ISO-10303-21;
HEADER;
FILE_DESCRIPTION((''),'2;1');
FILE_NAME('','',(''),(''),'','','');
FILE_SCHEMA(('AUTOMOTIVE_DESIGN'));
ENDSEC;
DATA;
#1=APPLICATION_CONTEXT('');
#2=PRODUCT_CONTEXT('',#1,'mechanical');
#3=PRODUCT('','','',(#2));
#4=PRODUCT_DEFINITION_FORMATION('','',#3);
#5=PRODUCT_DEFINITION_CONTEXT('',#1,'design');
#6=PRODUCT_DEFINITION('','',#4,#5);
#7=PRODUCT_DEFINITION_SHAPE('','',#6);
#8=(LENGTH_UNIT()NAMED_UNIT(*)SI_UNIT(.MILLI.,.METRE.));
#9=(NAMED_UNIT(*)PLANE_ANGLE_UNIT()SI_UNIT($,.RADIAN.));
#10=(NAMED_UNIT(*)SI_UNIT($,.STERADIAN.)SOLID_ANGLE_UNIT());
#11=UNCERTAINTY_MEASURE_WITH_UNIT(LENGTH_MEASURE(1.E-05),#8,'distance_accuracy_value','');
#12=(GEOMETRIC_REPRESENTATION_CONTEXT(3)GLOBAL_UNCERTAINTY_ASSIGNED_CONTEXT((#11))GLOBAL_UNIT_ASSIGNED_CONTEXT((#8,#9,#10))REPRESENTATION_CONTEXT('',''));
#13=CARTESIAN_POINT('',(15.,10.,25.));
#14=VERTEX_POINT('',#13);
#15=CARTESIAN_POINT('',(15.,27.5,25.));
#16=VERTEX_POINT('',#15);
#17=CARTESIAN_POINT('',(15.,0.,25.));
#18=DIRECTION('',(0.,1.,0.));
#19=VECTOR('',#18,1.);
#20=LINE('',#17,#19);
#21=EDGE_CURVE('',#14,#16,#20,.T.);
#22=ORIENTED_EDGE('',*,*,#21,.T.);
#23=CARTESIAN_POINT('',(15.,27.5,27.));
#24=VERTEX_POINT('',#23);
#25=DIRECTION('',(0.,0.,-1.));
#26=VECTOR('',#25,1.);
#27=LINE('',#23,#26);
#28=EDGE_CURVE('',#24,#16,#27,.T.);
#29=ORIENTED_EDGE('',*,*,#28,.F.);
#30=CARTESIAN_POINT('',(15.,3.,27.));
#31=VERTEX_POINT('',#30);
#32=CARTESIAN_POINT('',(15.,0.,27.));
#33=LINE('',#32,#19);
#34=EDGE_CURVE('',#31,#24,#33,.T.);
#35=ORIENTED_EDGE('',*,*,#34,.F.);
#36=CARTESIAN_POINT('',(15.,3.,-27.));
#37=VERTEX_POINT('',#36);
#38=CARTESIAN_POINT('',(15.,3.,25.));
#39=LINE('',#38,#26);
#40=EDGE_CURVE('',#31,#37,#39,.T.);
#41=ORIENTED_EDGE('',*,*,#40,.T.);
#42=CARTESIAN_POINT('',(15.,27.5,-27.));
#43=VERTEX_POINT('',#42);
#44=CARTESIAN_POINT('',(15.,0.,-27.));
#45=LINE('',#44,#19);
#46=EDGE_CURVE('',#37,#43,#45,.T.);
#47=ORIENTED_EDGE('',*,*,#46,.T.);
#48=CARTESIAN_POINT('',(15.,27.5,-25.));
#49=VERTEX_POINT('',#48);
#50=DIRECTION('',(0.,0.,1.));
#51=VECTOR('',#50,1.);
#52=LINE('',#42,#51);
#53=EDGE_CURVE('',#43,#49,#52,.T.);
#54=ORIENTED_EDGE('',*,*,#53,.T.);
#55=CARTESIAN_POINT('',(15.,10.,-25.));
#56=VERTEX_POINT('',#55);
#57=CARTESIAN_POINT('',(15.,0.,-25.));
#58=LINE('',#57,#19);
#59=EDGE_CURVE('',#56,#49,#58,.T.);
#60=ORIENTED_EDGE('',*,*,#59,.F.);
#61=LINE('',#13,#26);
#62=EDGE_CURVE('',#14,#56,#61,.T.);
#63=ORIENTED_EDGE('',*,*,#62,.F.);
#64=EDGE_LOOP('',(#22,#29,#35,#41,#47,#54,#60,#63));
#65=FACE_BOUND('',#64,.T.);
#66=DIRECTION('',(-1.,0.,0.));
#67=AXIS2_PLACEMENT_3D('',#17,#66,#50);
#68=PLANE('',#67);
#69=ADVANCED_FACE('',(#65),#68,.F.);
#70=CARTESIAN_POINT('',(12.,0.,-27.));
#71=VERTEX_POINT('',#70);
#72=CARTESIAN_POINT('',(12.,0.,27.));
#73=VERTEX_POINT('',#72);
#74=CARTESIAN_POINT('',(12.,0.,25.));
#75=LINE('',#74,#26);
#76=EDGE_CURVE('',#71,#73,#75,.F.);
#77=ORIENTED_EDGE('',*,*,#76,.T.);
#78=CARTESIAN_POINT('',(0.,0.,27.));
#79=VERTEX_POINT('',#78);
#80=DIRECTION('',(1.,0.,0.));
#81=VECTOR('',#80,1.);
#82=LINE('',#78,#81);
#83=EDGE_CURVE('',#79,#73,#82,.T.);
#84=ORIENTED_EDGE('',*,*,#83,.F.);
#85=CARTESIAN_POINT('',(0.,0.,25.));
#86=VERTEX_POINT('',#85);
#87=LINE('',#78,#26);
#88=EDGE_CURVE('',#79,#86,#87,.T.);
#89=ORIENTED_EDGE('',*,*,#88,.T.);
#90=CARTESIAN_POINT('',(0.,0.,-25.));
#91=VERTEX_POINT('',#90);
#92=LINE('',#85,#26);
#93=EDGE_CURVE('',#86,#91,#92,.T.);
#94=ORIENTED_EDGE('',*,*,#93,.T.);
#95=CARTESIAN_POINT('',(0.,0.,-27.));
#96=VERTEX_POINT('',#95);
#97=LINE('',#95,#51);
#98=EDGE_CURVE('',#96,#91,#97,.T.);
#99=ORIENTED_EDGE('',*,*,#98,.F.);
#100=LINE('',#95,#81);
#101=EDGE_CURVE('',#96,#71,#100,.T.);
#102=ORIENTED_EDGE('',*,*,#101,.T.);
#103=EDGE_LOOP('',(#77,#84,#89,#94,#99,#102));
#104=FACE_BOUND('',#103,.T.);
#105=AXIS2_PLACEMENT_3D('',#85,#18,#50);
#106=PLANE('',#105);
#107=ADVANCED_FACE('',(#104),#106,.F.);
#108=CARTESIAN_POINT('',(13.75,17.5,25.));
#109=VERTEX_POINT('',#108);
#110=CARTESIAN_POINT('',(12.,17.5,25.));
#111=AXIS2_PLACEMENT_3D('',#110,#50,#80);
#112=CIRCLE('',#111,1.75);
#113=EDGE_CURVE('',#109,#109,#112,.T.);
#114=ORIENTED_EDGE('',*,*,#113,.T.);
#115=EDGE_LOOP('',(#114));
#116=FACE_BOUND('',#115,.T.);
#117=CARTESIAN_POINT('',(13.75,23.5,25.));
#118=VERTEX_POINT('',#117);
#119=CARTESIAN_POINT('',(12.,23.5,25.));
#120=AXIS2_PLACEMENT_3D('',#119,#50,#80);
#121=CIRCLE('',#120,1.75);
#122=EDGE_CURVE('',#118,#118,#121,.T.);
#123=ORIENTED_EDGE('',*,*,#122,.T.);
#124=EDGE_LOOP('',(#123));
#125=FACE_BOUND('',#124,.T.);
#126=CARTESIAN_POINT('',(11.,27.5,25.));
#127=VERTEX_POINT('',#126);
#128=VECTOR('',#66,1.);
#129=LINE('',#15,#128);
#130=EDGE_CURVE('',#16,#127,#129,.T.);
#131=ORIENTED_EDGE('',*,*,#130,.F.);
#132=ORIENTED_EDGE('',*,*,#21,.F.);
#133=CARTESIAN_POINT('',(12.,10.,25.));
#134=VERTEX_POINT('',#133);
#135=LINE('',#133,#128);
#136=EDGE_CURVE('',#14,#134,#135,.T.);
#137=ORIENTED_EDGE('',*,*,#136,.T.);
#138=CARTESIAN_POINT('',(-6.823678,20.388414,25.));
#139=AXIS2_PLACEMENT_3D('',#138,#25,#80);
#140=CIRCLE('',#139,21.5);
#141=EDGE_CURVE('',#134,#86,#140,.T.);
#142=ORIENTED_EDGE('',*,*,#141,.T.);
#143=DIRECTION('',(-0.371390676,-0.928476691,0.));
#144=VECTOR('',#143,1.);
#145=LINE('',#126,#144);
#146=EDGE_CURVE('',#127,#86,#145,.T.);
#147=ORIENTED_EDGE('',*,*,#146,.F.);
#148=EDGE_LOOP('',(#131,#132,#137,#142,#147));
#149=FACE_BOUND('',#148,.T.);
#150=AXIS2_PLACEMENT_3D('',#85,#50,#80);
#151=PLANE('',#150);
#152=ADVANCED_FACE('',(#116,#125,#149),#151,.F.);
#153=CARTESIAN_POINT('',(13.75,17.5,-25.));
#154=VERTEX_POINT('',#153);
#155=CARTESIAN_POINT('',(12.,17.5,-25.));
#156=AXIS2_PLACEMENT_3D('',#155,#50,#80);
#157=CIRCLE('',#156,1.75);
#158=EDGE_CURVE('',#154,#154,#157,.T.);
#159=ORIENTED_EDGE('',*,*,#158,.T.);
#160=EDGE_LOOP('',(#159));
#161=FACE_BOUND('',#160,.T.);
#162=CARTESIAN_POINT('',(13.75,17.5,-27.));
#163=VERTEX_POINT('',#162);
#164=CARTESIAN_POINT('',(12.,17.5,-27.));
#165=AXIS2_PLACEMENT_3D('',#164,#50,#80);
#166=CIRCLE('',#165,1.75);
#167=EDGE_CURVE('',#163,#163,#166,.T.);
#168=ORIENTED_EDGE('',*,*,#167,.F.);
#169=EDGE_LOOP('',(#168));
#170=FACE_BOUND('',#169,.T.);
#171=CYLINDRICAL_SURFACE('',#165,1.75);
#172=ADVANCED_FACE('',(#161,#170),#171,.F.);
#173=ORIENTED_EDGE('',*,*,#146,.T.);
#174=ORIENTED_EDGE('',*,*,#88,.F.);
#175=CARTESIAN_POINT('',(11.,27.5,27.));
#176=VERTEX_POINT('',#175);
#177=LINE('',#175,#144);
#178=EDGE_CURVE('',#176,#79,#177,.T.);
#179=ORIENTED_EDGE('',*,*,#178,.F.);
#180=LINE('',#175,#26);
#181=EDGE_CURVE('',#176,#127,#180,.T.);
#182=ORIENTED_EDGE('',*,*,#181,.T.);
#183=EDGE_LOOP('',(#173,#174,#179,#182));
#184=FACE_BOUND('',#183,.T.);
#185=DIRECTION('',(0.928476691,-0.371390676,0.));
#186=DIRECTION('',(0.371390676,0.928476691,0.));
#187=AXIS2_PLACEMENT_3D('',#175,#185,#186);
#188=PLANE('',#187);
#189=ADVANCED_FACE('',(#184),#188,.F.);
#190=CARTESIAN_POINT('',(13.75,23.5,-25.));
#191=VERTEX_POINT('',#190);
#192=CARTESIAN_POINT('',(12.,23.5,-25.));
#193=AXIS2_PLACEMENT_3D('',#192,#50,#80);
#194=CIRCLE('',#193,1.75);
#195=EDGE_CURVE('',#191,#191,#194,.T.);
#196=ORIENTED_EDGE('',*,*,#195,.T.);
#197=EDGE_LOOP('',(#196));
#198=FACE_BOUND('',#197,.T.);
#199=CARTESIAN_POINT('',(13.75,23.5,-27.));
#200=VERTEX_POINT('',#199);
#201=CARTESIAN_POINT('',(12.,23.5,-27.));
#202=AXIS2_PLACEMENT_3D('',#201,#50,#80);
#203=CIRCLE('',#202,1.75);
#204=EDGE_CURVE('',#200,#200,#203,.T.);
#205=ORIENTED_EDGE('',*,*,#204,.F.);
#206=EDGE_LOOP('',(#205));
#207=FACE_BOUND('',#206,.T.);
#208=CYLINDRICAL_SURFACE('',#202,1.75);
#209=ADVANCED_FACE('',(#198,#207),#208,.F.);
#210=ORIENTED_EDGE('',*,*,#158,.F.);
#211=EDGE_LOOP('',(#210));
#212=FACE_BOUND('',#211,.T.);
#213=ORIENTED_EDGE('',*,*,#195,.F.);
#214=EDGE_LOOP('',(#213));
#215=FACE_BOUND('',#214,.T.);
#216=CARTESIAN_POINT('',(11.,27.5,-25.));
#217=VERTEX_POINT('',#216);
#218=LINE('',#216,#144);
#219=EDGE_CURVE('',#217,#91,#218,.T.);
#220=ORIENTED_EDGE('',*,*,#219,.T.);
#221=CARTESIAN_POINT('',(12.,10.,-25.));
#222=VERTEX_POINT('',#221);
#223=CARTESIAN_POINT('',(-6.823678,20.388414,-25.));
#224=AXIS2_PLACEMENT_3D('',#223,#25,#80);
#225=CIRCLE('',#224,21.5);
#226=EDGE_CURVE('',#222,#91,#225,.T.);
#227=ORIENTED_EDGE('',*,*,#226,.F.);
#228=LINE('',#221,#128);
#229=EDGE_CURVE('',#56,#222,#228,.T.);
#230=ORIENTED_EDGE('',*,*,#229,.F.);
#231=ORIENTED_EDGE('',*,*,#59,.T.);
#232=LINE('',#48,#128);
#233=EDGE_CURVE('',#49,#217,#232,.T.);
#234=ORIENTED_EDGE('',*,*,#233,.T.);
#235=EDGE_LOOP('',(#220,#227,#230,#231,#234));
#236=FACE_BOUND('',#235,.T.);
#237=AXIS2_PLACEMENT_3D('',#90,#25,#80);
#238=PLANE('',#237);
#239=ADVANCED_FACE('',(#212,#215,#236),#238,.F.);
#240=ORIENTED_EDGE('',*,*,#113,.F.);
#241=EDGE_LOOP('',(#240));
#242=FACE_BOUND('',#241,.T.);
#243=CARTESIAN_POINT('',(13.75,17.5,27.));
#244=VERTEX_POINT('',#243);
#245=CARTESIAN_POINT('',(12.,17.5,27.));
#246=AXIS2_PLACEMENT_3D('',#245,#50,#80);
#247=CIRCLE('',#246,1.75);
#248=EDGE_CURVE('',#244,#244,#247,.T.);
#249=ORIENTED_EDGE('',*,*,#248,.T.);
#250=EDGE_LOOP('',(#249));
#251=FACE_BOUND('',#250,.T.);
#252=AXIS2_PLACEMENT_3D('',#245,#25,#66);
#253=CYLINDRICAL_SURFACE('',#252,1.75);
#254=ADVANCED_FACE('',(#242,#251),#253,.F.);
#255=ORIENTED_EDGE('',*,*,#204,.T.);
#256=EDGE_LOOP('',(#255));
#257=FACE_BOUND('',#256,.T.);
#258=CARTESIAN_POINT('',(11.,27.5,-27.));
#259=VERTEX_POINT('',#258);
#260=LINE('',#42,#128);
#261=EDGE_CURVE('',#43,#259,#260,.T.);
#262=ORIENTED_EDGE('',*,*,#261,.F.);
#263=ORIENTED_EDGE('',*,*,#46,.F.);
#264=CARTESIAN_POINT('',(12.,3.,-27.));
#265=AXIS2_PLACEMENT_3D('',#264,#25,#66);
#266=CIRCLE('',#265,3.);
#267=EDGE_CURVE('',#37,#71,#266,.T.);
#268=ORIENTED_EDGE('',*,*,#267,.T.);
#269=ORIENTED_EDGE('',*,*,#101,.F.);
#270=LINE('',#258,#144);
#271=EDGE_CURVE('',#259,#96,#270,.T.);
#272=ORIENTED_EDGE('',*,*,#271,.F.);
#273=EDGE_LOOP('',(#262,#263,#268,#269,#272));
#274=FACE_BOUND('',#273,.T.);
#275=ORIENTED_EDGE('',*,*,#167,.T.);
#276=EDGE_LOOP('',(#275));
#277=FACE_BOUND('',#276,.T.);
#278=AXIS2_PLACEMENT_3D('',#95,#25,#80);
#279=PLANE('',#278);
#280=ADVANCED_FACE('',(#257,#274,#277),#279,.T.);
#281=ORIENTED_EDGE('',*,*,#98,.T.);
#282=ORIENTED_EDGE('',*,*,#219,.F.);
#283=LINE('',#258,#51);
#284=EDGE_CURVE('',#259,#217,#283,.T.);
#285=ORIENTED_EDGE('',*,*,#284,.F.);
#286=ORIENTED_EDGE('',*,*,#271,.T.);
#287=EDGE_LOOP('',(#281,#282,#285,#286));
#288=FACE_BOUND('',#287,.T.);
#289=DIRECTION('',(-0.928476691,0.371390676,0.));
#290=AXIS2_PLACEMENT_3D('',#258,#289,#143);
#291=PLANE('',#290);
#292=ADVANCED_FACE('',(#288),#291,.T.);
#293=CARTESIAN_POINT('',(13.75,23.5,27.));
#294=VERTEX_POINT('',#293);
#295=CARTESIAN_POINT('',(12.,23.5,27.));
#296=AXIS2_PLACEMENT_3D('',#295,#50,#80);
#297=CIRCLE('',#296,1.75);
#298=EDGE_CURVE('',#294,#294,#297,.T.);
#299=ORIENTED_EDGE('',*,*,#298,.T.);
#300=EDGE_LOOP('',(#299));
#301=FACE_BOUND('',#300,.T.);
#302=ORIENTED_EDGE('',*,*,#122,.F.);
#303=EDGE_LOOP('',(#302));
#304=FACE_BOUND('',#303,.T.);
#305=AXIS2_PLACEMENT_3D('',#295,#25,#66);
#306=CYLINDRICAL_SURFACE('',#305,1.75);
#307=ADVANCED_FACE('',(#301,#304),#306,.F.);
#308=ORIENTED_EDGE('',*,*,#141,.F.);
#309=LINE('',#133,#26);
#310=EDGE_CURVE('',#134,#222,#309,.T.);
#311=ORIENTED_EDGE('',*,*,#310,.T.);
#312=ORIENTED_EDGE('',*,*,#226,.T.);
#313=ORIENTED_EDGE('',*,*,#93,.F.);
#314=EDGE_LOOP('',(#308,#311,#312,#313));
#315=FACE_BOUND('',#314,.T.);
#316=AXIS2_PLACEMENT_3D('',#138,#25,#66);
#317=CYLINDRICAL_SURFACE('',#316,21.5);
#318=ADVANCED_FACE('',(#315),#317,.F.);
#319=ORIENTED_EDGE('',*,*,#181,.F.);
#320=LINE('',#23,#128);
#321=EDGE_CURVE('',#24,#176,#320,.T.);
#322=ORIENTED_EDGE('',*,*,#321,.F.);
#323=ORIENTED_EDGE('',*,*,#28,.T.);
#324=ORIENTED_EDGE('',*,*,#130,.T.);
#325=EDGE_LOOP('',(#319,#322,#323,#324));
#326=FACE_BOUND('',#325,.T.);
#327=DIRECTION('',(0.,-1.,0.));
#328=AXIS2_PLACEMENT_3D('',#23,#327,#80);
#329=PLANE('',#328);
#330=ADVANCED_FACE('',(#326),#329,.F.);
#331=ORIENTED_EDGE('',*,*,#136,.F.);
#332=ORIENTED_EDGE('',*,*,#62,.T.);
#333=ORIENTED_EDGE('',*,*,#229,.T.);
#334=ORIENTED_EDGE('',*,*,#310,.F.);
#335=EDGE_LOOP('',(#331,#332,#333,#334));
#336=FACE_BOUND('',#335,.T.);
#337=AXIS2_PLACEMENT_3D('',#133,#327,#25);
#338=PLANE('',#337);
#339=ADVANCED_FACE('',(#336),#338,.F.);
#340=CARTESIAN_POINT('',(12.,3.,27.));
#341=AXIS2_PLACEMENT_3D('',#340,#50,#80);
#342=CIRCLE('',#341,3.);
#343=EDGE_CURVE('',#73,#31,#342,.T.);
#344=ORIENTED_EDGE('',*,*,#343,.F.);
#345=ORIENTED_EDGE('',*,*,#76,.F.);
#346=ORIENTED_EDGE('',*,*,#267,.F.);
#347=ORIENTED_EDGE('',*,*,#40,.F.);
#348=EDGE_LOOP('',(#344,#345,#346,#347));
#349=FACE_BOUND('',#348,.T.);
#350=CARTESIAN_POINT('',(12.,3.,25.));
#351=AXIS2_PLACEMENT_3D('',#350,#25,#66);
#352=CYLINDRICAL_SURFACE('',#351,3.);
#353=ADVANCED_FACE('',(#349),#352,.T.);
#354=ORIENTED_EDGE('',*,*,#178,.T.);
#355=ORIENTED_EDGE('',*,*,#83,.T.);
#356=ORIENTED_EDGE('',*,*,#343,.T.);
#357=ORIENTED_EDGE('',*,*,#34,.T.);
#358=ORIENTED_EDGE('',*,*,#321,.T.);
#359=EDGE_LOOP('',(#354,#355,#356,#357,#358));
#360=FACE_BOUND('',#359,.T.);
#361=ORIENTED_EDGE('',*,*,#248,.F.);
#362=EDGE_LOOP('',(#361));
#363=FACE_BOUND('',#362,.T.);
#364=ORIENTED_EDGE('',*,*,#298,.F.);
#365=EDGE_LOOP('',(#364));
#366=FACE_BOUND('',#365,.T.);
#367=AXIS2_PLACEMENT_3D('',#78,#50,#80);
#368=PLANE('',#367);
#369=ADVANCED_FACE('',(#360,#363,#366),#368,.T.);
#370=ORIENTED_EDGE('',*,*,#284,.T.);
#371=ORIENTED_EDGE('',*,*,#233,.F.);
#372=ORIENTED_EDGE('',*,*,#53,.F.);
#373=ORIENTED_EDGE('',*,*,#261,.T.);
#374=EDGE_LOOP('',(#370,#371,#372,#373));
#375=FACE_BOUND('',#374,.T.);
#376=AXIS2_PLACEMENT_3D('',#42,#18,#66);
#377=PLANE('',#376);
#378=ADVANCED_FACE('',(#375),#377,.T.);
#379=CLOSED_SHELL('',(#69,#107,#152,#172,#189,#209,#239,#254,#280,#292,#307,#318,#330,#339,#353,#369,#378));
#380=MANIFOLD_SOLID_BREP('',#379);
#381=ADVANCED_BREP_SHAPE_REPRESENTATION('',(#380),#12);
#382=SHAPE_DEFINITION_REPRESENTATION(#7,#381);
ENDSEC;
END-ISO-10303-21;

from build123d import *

# Parameters (mm, degrees)
BOSS_EXTRUDE1_DEPTH = 25
SKETCH2_R           = 1.75
BOSS_EXTRUDE2_DEPTH = 2
FILLET1_R           = 3


with BuildPart() as part:
    # Sketch1 → Boss-Extrude1 (new, symmetric)
    with BuildSketch(Plane.XY):
        with BuildLine():
            Line((0, 0), (15, 0))
            Line((15, 0), (15, 10))
            Line((15, 10), (12, 10))
            ThreePointArc((12, 10), (6.940286442, 3.871656269), (0, 0))
        make_face()
    extrude(amount=BOSS_EXTRUDE1_DEPTH, both=True)

    # Sketch2 → Boss-Extrude2 (add)
    with BuildSketch(Plane.XY.offset(25)):
        Polygon((15, 0), (15, 27.5), (11, 27.5), (0, 0), align=None)
        with Locations((12, 23.5)):
            Circle(SKETCH2_R, mode=Mode.SUBTRACT)
        with Locations((12, 17.5)):
            Circle(SKETCH2_R, mode=Mode.SUBTRACT)
    boss_extrude2 = extrude(amount=BOSS_EXTRUDE2_DEPTH)

    # Mirror1: Boss-Extrude2 across plane
    add(boss_extrude2.mirror(Plane.XY))

    # Fillet1
    fillet1_edges = [part.edges().sort_by_distance(p)[0] for p in [
        (15, 0, 0),
    ]]
    fillet(fillet1_edges, radius=FILLET1_R)


solid = part.part
